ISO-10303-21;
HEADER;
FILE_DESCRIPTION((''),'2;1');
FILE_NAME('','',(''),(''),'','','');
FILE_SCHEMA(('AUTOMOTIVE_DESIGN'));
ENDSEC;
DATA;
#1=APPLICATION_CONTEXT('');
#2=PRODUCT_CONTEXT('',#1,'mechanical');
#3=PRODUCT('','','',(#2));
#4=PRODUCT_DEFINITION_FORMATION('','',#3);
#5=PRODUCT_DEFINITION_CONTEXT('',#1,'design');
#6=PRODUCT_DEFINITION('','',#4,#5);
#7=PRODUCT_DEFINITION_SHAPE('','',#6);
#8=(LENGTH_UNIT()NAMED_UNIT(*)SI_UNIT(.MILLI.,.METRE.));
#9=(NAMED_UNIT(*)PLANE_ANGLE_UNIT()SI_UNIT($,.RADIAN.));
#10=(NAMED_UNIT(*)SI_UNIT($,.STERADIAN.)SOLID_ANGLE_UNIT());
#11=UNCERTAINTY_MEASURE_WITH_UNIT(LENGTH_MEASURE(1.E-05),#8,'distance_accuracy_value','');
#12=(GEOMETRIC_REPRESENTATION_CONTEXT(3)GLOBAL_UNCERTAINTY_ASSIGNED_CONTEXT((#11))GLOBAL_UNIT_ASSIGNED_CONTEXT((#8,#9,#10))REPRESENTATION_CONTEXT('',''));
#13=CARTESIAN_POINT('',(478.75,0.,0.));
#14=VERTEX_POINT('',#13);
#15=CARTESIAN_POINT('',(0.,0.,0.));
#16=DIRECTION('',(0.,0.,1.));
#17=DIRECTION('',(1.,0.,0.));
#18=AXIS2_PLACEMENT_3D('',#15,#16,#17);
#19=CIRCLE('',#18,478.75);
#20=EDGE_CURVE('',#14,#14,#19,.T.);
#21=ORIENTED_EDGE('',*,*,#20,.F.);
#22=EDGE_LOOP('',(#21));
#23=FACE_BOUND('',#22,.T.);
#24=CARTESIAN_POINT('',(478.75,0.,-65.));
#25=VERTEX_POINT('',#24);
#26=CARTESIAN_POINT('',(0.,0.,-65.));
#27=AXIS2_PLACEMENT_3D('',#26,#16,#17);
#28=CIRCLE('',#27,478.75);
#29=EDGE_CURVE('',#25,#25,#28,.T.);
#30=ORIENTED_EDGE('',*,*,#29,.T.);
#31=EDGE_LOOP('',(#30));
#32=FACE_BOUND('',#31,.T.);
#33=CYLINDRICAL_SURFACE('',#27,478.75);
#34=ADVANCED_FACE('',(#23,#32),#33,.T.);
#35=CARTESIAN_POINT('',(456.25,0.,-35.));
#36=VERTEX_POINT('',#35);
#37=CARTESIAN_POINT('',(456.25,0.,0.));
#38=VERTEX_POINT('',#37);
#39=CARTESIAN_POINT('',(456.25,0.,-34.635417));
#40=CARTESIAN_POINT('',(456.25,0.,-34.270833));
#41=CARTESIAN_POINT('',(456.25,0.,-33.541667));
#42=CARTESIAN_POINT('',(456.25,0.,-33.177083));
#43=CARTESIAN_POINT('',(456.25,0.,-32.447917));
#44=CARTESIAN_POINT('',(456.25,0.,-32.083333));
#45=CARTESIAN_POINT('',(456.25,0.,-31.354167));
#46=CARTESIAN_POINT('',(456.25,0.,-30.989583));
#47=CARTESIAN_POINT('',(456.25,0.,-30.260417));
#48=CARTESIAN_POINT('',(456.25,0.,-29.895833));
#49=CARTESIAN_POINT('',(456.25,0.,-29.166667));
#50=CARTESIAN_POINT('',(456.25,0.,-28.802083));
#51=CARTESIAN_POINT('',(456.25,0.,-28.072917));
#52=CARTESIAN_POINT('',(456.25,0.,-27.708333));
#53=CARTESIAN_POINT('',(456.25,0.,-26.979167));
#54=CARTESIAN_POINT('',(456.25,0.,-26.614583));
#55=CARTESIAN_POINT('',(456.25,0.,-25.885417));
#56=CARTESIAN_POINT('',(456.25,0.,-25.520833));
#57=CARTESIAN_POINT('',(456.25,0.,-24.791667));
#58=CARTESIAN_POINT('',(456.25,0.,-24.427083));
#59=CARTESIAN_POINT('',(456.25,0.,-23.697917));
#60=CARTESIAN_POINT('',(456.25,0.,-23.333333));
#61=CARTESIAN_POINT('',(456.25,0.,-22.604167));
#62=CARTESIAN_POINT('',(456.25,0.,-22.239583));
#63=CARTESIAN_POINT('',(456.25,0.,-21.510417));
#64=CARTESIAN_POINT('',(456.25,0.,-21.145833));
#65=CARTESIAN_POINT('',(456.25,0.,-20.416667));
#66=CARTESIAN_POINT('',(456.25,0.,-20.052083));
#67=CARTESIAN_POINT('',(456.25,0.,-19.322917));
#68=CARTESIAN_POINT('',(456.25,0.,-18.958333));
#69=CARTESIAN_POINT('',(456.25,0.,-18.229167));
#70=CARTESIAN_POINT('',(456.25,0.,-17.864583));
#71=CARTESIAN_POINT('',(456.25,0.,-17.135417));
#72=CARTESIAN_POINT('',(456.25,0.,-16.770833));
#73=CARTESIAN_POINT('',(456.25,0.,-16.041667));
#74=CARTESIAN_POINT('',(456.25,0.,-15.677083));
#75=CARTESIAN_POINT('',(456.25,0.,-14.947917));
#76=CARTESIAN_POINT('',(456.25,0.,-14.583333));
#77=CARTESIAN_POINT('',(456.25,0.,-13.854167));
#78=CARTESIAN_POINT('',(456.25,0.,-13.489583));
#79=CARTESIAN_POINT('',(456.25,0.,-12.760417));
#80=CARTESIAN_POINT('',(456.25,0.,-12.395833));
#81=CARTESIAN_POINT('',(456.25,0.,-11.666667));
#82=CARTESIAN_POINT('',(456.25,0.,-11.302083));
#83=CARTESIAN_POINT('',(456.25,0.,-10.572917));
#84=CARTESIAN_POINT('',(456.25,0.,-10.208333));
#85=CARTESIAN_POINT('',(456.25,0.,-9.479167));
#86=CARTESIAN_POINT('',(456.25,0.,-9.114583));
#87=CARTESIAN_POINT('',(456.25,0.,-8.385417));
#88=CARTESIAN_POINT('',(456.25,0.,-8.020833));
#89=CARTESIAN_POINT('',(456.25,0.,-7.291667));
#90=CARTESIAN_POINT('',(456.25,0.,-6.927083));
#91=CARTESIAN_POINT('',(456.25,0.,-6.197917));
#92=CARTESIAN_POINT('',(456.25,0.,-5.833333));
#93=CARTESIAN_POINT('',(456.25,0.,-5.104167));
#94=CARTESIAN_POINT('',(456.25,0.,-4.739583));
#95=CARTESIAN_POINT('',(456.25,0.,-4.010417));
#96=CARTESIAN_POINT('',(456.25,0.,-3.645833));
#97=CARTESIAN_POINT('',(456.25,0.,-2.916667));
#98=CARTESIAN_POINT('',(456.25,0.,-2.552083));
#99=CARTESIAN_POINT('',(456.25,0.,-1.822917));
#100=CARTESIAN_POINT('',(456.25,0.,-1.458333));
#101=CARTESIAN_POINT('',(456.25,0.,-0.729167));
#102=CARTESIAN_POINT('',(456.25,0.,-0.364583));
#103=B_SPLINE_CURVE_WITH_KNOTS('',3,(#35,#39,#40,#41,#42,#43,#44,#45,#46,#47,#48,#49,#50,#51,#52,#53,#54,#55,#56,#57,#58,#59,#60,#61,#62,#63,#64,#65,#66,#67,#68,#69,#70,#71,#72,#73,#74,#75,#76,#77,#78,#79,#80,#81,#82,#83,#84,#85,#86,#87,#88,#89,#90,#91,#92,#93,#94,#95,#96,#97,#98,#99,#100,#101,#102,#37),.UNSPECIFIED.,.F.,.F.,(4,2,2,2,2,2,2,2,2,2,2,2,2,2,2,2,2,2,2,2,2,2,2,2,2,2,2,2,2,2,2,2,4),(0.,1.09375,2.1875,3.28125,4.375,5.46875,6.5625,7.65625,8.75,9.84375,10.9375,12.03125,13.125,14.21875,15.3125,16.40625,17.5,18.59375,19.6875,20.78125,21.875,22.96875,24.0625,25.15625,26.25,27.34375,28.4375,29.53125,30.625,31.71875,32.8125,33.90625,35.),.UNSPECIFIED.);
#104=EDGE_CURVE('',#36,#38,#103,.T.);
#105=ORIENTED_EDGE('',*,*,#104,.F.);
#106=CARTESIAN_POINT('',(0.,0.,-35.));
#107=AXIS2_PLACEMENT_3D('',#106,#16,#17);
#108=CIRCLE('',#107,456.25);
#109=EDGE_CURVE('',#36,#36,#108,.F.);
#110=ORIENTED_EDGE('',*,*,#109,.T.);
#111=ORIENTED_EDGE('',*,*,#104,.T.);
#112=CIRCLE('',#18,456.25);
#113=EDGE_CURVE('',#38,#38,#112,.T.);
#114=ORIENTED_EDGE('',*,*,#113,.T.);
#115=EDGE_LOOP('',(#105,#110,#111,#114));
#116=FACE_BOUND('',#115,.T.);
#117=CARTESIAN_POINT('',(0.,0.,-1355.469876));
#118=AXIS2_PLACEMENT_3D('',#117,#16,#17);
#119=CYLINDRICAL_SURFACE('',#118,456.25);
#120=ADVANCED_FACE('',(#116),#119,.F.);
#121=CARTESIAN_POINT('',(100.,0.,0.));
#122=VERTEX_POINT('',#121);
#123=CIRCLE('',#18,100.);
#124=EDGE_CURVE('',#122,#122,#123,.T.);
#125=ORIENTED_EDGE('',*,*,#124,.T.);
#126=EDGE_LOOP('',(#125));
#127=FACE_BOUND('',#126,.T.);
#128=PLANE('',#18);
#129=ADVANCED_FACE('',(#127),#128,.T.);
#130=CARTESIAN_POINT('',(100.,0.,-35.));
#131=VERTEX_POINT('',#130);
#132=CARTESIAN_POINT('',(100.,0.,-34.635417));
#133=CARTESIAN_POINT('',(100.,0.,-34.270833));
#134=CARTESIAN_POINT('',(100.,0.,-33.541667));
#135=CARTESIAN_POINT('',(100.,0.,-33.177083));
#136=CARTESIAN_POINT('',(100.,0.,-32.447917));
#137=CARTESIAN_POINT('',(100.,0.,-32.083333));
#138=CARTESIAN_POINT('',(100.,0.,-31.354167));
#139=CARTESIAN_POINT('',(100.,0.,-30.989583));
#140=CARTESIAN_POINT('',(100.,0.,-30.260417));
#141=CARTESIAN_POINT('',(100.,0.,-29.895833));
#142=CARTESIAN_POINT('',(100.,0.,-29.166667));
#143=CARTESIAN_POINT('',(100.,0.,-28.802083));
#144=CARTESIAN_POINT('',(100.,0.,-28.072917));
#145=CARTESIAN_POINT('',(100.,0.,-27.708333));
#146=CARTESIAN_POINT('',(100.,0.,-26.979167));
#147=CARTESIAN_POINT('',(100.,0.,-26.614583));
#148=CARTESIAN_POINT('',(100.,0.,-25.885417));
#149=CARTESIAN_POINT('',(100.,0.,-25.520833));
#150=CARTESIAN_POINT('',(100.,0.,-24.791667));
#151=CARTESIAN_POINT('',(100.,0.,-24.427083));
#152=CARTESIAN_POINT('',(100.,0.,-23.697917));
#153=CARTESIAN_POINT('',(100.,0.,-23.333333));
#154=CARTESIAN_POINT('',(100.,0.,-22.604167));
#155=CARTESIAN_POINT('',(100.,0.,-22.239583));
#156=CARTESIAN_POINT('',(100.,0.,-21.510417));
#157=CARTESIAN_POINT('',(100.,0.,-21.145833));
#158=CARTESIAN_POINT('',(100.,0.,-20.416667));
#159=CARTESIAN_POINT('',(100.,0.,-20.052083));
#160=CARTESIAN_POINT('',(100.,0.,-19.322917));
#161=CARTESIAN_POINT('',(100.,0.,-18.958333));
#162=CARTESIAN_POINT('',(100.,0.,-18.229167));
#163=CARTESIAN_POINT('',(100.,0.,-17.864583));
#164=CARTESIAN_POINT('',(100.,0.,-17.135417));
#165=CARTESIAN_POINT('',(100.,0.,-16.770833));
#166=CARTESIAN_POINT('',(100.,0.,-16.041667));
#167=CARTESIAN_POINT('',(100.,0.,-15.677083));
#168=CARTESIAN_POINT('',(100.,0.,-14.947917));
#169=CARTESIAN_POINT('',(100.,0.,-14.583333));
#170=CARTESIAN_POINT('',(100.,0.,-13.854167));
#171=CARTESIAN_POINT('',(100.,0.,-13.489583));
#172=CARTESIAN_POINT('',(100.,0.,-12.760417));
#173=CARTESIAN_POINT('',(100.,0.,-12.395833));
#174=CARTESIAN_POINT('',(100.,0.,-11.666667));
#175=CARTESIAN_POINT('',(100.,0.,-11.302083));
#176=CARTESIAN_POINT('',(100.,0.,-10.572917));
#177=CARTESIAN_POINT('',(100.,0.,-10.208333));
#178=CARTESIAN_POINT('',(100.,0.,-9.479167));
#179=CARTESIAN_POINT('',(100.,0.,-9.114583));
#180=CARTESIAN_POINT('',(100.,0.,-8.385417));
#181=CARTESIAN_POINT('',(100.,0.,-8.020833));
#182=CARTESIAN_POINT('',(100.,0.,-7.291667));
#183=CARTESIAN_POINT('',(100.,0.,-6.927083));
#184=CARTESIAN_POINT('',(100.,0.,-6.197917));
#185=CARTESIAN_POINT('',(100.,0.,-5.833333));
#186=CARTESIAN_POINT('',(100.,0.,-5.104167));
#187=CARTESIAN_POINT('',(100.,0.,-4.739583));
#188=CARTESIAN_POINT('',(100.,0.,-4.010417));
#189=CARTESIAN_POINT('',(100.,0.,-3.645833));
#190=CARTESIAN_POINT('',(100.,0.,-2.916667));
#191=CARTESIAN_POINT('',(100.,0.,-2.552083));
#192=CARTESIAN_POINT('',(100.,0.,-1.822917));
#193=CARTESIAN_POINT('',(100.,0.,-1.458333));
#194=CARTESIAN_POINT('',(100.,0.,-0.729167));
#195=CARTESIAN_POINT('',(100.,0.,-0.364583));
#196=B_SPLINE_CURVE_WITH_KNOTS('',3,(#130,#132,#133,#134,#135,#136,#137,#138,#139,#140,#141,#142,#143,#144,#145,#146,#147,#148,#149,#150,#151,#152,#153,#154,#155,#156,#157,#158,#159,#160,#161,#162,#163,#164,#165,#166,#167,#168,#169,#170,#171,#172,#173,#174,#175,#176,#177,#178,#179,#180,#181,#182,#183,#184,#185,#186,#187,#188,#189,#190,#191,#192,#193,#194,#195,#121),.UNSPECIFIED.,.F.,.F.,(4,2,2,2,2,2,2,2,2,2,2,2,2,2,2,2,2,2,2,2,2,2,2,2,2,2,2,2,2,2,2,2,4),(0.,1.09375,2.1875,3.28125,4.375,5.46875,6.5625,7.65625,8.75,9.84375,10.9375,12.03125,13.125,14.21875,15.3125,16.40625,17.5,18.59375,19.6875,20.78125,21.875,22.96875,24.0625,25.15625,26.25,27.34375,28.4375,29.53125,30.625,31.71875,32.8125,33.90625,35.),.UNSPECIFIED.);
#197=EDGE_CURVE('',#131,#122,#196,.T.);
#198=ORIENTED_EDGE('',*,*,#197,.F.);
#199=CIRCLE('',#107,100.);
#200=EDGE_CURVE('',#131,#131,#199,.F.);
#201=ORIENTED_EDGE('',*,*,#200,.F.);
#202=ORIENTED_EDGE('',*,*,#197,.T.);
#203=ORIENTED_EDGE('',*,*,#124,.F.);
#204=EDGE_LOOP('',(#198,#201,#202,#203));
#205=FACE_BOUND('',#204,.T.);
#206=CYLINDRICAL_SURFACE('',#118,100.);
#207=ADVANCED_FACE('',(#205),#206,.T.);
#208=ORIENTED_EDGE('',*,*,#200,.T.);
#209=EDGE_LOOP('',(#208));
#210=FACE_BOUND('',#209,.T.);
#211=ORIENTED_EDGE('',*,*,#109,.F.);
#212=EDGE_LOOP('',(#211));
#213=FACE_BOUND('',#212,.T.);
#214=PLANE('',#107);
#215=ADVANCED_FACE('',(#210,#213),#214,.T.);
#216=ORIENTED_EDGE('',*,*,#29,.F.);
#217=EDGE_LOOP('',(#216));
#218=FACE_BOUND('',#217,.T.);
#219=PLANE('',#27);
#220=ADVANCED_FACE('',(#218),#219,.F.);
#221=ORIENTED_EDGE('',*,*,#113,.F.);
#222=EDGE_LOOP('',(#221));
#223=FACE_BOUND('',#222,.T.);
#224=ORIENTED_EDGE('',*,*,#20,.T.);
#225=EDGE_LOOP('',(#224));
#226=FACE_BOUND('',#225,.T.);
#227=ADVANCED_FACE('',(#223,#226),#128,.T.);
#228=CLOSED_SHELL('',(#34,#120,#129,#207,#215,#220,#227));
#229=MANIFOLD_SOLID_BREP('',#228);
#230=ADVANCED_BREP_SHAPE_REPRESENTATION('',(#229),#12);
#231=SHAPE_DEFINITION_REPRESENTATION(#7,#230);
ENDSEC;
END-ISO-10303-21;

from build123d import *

# Parameters (mm, degrees)
SKETCH1_R           = 478.75
BOSS_EXTRUDE1_DEPTH = 65
SKETCH2_R           = 456.25
SKETCH2_R_2         = 100
CUT_EXTRUDE1_DEPTH  = 35


with BuildPart() as part:
    # Sketch1 → Boss-Extrude1 (new body)
    with BuildSketch(Plane.XY):
        Circle(SKETCH1_R)
    extrude(amount=-BOSS_EXTRUDE1_DEPTH)

    # Sketch2 → Cut-Extrude1 (cut)
    with BuildSketch(Plane.XY):
        Circle(SKETCH2_R)
        Circle(SKETCH2_R_2, mode=Mode.SUBTRACT)
    extrude(amount=-CUT_EXTRUDE1_DEPTH, mode=Mode.SUBTRACT)


solid = part.part
